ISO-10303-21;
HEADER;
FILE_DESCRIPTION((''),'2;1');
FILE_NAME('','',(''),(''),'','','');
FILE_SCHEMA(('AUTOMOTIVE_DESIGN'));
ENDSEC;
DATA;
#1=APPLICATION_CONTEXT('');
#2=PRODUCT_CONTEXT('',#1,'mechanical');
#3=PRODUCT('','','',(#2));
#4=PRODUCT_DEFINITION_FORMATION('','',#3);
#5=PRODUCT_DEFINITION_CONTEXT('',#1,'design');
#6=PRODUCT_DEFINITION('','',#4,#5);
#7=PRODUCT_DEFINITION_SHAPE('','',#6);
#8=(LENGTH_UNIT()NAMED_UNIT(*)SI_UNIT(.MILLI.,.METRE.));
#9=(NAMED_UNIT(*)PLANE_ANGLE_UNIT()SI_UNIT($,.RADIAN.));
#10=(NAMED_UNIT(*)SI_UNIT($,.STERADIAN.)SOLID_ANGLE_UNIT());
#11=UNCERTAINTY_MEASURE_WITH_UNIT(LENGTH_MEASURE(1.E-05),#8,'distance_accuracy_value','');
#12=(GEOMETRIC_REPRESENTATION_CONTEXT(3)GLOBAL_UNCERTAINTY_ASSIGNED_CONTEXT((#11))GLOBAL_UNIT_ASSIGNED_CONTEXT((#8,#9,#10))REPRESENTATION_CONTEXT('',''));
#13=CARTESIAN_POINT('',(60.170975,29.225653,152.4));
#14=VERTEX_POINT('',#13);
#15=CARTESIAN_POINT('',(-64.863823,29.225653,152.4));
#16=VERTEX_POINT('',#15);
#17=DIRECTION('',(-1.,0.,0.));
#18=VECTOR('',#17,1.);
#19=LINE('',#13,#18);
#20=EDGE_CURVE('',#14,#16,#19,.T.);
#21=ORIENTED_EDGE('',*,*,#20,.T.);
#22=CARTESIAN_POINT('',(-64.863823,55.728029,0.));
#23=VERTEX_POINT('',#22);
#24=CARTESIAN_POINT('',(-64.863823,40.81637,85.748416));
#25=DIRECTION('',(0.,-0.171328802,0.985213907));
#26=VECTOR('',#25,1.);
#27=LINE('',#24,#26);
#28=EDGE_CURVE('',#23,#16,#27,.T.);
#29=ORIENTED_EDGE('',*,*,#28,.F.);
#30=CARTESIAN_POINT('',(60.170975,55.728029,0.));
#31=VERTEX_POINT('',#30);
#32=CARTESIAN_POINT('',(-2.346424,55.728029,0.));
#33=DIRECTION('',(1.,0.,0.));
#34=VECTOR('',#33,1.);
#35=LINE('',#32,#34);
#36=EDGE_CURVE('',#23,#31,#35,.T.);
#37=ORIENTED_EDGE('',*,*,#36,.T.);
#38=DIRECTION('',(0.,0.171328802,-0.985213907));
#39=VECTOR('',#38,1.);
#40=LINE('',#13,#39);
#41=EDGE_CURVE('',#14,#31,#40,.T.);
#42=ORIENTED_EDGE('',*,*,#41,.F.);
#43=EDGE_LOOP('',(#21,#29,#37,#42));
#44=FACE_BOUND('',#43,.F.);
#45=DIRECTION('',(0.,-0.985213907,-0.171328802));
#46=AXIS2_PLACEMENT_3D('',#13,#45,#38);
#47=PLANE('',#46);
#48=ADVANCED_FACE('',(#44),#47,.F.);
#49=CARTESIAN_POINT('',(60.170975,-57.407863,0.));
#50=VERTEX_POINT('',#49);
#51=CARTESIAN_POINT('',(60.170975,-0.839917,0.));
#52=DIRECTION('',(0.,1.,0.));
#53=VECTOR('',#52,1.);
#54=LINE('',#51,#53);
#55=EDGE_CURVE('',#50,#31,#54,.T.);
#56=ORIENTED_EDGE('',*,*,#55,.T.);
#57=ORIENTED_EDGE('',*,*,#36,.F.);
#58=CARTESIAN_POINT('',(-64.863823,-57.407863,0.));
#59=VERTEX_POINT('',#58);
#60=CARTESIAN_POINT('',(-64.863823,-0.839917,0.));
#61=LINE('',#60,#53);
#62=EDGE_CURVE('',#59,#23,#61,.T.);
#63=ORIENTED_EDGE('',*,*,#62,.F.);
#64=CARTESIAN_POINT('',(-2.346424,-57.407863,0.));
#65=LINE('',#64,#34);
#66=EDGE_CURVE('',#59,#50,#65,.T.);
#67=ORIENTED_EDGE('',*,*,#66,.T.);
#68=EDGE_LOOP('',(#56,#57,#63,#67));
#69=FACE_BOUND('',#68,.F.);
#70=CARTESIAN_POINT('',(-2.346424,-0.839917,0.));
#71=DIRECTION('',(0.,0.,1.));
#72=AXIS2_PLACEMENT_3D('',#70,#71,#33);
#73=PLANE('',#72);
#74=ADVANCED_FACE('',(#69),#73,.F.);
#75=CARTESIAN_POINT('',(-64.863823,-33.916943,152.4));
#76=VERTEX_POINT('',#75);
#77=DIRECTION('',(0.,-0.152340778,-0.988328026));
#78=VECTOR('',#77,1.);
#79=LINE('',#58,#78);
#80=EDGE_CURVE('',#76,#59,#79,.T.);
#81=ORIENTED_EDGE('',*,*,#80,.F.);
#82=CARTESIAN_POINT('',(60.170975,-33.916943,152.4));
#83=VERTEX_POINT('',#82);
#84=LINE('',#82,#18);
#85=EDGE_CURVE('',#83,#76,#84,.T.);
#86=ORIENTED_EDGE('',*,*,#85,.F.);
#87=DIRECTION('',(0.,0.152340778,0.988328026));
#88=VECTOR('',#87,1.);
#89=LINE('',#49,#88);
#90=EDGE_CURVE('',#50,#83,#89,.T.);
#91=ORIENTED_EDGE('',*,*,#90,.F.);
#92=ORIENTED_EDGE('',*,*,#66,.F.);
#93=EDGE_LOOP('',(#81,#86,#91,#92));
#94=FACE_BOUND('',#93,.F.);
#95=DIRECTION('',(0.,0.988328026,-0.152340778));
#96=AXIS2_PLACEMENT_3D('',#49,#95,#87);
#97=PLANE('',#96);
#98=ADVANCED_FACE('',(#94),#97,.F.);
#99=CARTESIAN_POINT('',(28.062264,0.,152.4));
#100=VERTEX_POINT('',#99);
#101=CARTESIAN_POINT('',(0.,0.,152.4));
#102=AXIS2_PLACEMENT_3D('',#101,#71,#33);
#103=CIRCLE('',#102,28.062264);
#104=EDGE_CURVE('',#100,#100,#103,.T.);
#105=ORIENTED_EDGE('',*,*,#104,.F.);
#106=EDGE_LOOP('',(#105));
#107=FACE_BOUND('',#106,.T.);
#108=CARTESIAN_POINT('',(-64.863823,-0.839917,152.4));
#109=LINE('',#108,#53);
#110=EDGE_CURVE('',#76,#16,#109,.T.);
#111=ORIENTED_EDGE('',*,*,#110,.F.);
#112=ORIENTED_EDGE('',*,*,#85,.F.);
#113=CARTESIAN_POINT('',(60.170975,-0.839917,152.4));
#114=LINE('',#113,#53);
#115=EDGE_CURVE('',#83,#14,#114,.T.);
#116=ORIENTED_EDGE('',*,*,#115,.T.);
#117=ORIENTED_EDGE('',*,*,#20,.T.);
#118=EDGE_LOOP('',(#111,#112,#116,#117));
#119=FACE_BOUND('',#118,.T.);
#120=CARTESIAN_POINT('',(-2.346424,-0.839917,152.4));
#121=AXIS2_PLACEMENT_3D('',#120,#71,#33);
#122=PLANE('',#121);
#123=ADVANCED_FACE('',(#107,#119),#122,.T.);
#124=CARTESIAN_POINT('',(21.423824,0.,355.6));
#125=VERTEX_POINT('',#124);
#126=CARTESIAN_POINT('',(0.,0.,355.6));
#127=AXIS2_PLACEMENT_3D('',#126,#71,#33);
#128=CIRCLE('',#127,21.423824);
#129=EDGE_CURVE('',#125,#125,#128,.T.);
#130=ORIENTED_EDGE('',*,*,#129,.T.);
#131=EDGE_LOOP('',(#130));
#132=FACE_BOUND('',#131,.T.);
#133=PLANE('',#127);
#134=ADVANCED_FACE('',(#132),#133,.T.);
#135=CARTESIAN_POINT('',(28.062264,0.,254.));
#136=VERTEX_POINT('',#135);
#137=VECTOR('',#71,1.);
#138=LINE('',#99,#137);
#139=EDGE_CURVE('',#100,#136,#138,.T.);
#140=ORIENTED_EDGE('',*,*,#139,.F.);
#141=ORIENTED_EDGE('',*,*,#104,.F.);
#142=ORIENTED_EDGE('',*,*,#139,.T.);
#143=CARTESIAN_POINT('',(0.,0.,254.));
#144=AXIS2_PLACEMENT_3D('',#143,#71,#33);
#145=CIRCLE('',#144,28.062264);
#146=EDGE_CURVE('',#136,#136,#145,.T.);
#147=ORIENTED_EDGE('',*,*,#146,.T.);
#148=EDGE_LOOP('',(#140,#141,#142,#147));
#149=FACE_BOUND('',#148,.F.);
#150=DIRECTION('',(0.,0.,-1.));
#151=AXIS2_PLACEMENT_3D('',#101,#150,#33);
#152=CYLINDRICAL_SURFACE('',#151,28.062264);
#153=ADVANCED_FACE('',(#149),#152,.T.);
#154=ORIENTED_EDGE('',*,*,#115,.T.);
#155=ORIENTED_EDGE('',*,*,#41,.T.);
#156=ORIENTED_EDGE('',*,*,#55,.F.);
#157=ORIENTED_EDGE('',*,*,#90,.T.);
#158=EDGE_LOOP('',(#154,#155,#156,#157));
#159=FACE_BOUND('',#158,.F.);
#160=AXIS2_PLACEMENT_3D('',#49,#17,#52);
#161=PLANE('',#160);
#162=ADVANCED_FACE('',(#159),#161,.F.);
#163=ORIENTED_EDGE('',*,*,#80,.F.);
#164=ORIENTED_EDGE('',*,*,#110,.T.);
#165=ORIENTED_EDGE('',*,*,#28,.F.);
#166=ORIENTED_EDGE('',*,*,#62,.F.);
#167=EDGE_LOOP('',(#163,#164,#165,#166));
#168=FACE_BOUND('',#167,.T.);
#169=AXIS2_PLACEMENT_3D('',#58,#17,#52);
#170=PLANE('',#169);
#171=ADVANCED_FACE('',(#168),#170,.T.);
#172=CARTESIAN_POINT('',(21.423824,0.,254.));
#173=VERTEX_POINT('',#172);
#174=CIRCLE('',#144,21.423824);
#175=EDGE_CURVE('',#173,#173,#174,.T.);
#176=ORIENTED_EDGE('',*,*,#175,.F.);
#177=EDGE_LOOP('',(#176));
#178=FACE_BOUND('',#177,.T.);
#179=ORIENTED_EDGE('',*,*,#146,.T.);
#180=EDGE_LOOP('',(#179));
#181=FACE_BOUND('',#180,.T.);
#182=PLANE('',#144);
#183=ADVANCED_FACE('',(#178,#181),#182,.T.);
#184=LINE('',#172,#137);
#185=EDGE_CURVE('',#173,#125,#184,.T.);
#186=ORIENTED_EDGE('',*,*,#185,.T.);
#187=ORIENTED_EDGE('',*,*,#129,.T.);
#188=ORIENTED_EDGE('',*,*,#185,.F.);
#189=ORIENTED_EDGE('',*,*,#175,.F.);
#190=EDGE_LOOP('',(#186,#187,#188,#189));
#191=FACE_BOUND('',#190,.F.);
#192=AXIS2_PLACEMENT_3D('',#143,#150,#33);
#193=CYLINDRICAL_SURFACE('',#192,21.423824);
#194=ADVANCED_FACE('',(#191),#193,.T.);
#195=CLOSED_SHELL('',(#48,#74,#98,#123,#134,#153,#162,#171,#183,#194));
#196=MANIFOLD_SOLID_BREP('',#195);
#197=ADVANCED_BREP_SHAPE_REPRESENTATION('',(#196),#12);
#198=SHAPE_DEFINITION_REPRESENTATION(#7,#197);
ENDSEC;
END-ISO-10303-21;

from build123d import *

# Parameters (mm, degrees)
F0_W     = 125.034798
F0_H     = 113.135892
F1_DEPTH = 152.4
F3_DEPTH = 125.035798
F5_DEPTH = 125.035798
F6_R     = 28.062264
F7_DEPTH = 101.6
F8_R     = 21.423824
F9_DEPTH = 101.6


with BuildPart() as f1:
    # F0 (on Top) → F1 (new body)
    with BuildSketch(Plane.XY):
        with Locations((-2.346424, -0.839917)):
            Rectangle(F0_W, F0_H)
    extrude(amount=F1_DEPTH)

    # F2 (on face) → F3 (cut, through all)
    with BuildSketch(Plane.YZ.offset(60.170975)):
        Polygon((-57.407863, 152.4), (-57.407863, 0), (-33.916943, 152.4), align=None)
    extrude(amount=-F3_DEPTH, mode=Mode.SUBTRACT)

    # F4 (on face) → F5 (cut, through all)
    with BuildSketch(Plane.YZ.offset(60.170975)):
        Polygon((29.225653, 152.4), (55.728029, 0), (55.728029, 152.4), align=None)
    extrude(amount=-F5_DEPTH, mode=Mode.SUBTRACT)

    # F6 (on face) → F7 (join)
    with BuildSketch(Plane.XY.offset(152.4)):
        Circle(F6_R)
    extrude(amount=F7_DEPTH)

    # F8 (on face) → F9 (join)
    with BuildSketch(Plane.XY.offset(254)):
        Circle(F8_R)
    extrude(amount=F9_DEPTH)


solid = f1.part
